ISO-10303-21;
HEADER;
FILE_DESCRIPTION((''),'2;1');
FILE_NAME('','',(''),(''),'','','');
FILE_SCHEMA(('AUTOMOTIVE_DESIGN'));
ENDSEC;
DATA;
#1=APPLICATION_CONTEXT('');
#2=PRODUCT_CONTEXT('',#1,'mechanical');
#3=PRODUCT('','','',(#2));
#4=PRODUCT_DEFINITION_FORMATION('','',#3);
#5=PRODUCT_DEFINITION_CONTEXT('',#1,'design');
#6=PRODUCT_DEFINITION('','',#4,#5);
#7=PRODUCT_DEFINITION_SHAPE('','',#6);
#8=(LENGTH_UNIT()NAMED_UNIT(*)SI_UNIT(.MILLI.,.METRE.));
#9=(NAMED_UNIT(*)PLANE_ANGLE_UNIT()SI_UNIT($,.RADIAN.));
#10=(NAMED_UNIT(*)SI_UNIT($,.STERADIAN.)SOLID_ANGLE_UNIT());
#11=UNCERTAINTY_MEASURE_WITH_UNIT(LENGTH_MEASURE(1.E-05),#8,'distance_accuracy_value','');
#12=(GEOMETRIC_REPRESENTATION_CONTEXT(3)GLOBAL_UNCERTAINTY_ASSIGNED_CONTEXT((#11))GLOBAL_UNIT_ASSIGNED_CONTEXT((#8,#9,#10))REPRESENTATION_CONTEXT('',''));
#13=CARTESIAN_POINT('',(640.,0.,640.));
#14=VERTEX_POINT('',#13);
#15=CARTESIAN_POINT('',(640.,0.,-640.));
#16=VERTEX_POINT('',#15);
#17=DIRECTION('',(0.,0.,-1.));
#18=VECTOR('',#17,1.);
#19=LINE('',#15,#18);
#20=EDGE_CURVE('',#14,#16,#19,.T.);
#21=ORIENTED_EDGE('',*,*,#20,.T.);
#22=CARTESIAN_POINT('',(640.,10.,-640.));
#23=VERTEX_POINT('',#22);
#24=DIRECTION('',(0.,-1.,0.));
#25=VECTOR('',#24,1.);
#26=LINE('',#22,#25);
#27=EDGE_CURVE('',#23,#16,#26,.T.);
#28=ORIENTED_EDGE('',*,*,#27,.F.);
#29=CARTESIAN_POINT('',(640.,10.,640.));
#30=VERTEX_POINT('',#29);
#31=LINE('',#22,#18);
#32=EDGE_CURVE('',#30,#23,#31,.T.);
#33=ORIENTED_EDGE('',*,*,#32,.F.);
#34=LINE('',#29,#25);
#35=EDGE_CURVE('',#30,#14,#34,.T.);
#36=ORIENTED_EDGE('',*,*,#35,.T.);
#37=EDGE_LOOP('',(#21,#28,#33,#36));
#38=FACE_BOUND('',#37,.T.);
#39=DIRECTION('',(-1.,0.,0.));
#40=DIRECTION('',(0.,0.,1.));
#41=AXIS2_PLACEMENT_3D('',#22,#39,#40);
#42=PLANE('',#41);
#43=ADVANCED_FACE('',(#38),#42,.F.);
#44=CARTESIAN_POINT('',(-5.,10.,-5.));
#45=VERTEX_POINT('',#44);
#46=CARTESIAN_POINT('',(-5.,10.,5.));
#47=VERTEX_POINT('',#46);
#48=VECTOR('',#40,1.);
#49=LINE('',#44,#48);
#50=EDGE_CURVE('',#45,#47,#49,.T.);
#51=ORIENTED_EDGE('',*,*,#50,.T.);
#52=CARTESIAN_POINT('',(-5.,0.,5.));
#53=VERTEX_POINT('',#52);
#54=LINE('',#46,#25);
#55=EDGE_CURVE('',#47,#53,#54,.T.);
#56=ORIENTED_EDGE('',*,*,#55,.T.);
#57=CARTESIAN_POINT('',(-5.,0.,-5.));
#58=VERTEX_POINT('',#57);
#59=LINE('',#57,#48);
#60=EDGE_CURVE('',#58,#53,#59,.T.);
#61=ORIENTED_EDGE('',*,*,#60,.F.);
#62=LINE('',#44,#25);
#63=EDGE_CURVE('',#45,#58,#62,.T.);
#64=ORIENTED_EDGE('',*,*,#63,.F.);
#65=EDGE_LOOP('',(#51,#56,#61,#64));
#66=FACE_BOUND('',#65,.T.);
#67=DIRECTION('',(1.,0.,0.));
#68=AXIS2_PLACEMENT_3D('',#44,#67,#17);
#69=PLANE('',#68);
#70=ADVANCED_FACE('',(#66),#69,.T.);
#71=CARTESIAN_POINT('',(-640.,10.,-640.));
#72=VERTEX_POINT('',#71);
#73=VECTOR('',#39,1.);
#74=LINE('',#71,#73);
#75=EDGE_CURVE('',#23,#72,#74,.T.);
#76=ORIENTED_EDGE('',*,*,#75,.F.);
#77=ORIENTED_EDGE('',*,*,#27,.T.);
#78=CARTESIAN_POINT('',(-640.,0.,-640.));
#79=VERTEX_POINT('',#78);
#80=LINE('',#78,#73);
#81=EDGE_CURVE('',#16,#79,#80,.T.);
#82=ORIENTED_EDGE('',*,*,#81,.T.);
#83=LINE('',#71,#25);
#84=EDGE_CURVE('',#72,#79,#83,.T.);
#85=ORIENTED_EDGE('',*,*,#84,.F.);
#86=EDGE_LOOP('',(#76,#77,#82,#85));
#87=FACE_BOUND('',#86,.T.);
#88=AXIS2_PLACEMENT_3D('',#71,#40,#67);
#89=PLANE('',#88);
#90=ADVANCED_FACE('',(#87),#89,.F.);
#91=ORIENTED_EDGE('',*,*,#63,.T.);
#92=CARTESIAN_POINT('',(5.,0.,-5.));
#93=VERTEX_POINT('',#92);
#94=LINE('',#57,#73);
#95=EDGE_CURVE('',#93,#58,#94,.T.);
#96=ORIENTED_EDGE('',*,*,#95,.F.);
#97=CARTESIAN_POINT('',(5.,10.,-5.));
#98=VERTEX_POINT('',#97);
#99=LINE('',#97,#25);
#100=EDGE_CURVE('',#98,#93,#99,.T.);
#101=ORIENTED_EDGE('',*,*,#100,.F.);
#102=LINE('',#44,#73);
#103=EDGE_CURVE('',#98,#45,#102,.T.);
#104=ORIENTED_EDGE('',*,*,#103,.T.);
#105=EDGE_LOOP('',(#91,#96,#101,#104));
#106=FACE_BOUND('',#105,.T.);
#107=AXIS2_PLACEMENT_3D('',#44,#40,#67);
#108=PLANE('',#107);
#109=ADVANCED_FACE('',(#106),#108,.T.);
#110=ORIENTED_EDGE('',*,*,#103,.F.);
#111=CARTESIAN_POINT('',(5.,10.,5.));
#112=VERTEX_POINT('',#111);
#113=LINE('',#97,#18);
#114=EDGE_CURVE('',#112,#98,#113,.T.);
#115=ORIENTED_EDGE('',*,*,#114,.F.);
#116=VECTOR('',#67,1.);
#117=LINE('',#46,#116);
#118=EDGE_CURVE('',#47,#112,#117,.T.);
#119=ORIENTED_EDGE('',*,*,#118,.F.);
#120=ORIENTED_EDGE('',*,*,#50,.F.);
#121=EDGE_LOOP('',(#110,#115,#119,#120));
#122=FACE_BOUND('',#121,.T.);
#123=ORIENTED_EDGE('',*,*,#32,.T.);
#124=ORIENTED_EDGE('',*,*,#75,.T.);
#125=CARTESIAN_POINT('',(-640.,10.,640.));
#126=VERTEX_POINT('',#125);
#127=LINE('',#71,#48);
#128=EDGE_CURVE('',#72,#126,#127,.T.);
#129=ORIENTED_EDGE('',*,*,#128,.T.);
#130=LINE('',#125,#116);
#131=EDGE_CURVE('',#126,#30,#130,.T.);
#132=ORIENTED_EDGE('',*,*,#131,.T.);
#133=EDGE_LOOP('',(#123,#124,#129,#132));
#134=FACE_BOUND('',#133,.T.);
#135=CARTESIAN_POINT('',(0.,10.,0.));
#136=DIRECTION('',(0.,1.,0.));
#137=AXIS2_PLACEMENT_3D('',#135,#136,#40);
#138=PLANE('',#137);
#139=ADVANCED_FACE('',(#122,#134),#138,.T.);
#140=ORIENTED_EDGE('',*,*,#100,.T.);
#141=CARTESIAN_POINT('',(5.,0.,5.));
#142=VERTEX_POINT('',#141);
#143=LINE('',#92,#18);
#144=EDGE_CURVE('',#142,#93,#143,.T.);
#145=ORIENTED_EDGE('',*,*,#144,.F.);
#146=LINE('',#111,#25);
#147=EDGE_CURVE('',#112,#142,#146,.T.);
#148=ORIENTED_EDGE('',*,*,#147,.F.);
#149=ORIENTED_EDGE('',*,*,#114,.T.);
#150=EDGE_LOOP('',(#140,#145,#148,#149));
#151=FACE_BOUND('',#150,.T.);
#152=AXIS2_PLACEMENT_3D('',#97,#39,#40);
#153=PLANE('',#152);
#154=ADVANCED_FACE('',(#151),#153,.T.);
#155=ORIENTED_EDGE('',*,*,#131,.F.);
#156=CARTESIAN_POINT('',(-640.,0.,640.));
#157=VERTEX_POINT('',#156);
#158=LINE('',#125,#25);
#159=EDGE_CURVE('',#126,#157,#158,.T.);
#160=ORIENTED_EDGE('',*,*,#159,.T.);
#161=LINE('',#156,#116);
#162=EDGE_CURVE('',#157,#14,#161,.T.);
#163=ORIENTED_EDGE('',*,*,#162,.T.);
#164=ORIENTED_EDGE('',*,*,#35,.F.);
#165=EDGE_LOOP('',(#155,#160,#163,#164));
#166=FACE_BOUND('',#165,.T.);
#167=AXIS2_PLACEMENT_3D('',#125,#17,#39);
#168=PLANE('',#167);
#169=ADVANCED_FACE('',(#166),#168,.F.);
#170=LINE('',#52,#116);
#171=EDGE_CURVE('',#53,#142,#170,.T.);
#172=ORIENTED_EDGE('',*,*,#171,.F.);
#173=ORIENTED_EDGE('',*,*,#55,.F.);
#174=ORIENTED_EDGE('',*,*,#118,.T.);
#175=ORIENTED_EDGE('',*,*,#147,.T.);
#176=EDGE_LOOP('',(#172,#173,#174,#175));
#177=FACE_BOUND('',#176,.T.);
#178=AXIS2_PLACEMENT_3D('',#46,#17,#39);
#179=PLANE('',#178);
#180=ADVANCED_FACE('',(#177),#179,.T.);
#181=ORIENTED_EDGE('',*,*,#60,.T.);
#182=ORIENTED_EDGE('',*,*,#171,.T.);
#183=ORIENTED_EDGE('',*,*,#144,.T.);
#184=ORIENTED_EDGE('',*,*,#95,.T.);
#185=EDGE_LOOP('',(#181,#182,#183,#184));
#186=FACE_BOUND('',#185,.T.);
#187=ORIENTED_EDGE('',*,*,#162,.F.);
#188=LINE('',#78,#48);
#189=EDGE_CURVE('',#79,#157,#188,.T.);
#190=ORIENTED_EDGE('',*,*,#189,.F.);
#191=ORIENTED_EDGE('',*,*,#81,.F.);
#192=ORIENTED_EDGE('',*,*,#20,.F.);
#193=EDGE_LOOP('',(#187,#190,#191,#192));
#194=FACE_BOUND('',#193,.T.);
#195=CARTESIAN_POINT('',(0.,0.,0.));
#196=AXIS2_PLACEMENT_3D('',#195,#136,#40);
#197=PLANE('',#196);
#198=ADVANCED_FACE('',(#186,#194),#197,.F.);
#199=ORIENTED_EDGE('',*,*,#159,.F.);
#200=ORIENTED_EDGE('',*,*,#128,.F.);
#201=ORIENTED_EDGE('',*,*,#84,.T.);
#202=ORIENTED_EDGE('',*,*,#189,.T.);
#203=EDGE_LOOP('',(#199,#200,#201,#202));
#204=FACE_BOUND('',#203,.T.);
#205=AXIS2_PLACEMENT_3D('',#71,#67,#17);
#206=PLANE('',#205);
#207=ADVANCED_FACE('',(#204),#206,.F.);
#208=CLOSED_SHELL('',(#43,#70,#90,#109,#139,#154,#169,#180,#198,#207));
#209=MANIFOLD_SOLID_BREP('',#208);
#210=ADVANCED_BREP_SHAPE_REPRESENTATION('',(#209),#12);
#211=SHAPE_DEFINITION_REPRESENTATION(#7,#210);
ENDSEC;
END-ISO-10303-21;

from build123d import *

# Parameters (mm, degrees)
SKETCH_1_W      = 1280
SKETCH_1_H      = 1280
SKETCH_1_W_2    = 10
SKETCH_1_H_2    = 10
EXTRUDE_1_DEPTH = 10


with BuildPart() as part:
    # 草图1 → 凸台-拉伸1 (new body)
    with BuildSketch(Plane(origin=(0, 0, 0), x_dir=(1, 0, 0), z_dir=(0, 1, 0))):
        Rectangle(SKETCH_1_W, SKETCH_1_H)
        Rectangle(SKETCH_1_W_2, SKETCH_1_H_2, mode=Mode.SUBTRACT)
    extrude(amount=EXTRUDE_1_DEPTH)


solid = part.part
